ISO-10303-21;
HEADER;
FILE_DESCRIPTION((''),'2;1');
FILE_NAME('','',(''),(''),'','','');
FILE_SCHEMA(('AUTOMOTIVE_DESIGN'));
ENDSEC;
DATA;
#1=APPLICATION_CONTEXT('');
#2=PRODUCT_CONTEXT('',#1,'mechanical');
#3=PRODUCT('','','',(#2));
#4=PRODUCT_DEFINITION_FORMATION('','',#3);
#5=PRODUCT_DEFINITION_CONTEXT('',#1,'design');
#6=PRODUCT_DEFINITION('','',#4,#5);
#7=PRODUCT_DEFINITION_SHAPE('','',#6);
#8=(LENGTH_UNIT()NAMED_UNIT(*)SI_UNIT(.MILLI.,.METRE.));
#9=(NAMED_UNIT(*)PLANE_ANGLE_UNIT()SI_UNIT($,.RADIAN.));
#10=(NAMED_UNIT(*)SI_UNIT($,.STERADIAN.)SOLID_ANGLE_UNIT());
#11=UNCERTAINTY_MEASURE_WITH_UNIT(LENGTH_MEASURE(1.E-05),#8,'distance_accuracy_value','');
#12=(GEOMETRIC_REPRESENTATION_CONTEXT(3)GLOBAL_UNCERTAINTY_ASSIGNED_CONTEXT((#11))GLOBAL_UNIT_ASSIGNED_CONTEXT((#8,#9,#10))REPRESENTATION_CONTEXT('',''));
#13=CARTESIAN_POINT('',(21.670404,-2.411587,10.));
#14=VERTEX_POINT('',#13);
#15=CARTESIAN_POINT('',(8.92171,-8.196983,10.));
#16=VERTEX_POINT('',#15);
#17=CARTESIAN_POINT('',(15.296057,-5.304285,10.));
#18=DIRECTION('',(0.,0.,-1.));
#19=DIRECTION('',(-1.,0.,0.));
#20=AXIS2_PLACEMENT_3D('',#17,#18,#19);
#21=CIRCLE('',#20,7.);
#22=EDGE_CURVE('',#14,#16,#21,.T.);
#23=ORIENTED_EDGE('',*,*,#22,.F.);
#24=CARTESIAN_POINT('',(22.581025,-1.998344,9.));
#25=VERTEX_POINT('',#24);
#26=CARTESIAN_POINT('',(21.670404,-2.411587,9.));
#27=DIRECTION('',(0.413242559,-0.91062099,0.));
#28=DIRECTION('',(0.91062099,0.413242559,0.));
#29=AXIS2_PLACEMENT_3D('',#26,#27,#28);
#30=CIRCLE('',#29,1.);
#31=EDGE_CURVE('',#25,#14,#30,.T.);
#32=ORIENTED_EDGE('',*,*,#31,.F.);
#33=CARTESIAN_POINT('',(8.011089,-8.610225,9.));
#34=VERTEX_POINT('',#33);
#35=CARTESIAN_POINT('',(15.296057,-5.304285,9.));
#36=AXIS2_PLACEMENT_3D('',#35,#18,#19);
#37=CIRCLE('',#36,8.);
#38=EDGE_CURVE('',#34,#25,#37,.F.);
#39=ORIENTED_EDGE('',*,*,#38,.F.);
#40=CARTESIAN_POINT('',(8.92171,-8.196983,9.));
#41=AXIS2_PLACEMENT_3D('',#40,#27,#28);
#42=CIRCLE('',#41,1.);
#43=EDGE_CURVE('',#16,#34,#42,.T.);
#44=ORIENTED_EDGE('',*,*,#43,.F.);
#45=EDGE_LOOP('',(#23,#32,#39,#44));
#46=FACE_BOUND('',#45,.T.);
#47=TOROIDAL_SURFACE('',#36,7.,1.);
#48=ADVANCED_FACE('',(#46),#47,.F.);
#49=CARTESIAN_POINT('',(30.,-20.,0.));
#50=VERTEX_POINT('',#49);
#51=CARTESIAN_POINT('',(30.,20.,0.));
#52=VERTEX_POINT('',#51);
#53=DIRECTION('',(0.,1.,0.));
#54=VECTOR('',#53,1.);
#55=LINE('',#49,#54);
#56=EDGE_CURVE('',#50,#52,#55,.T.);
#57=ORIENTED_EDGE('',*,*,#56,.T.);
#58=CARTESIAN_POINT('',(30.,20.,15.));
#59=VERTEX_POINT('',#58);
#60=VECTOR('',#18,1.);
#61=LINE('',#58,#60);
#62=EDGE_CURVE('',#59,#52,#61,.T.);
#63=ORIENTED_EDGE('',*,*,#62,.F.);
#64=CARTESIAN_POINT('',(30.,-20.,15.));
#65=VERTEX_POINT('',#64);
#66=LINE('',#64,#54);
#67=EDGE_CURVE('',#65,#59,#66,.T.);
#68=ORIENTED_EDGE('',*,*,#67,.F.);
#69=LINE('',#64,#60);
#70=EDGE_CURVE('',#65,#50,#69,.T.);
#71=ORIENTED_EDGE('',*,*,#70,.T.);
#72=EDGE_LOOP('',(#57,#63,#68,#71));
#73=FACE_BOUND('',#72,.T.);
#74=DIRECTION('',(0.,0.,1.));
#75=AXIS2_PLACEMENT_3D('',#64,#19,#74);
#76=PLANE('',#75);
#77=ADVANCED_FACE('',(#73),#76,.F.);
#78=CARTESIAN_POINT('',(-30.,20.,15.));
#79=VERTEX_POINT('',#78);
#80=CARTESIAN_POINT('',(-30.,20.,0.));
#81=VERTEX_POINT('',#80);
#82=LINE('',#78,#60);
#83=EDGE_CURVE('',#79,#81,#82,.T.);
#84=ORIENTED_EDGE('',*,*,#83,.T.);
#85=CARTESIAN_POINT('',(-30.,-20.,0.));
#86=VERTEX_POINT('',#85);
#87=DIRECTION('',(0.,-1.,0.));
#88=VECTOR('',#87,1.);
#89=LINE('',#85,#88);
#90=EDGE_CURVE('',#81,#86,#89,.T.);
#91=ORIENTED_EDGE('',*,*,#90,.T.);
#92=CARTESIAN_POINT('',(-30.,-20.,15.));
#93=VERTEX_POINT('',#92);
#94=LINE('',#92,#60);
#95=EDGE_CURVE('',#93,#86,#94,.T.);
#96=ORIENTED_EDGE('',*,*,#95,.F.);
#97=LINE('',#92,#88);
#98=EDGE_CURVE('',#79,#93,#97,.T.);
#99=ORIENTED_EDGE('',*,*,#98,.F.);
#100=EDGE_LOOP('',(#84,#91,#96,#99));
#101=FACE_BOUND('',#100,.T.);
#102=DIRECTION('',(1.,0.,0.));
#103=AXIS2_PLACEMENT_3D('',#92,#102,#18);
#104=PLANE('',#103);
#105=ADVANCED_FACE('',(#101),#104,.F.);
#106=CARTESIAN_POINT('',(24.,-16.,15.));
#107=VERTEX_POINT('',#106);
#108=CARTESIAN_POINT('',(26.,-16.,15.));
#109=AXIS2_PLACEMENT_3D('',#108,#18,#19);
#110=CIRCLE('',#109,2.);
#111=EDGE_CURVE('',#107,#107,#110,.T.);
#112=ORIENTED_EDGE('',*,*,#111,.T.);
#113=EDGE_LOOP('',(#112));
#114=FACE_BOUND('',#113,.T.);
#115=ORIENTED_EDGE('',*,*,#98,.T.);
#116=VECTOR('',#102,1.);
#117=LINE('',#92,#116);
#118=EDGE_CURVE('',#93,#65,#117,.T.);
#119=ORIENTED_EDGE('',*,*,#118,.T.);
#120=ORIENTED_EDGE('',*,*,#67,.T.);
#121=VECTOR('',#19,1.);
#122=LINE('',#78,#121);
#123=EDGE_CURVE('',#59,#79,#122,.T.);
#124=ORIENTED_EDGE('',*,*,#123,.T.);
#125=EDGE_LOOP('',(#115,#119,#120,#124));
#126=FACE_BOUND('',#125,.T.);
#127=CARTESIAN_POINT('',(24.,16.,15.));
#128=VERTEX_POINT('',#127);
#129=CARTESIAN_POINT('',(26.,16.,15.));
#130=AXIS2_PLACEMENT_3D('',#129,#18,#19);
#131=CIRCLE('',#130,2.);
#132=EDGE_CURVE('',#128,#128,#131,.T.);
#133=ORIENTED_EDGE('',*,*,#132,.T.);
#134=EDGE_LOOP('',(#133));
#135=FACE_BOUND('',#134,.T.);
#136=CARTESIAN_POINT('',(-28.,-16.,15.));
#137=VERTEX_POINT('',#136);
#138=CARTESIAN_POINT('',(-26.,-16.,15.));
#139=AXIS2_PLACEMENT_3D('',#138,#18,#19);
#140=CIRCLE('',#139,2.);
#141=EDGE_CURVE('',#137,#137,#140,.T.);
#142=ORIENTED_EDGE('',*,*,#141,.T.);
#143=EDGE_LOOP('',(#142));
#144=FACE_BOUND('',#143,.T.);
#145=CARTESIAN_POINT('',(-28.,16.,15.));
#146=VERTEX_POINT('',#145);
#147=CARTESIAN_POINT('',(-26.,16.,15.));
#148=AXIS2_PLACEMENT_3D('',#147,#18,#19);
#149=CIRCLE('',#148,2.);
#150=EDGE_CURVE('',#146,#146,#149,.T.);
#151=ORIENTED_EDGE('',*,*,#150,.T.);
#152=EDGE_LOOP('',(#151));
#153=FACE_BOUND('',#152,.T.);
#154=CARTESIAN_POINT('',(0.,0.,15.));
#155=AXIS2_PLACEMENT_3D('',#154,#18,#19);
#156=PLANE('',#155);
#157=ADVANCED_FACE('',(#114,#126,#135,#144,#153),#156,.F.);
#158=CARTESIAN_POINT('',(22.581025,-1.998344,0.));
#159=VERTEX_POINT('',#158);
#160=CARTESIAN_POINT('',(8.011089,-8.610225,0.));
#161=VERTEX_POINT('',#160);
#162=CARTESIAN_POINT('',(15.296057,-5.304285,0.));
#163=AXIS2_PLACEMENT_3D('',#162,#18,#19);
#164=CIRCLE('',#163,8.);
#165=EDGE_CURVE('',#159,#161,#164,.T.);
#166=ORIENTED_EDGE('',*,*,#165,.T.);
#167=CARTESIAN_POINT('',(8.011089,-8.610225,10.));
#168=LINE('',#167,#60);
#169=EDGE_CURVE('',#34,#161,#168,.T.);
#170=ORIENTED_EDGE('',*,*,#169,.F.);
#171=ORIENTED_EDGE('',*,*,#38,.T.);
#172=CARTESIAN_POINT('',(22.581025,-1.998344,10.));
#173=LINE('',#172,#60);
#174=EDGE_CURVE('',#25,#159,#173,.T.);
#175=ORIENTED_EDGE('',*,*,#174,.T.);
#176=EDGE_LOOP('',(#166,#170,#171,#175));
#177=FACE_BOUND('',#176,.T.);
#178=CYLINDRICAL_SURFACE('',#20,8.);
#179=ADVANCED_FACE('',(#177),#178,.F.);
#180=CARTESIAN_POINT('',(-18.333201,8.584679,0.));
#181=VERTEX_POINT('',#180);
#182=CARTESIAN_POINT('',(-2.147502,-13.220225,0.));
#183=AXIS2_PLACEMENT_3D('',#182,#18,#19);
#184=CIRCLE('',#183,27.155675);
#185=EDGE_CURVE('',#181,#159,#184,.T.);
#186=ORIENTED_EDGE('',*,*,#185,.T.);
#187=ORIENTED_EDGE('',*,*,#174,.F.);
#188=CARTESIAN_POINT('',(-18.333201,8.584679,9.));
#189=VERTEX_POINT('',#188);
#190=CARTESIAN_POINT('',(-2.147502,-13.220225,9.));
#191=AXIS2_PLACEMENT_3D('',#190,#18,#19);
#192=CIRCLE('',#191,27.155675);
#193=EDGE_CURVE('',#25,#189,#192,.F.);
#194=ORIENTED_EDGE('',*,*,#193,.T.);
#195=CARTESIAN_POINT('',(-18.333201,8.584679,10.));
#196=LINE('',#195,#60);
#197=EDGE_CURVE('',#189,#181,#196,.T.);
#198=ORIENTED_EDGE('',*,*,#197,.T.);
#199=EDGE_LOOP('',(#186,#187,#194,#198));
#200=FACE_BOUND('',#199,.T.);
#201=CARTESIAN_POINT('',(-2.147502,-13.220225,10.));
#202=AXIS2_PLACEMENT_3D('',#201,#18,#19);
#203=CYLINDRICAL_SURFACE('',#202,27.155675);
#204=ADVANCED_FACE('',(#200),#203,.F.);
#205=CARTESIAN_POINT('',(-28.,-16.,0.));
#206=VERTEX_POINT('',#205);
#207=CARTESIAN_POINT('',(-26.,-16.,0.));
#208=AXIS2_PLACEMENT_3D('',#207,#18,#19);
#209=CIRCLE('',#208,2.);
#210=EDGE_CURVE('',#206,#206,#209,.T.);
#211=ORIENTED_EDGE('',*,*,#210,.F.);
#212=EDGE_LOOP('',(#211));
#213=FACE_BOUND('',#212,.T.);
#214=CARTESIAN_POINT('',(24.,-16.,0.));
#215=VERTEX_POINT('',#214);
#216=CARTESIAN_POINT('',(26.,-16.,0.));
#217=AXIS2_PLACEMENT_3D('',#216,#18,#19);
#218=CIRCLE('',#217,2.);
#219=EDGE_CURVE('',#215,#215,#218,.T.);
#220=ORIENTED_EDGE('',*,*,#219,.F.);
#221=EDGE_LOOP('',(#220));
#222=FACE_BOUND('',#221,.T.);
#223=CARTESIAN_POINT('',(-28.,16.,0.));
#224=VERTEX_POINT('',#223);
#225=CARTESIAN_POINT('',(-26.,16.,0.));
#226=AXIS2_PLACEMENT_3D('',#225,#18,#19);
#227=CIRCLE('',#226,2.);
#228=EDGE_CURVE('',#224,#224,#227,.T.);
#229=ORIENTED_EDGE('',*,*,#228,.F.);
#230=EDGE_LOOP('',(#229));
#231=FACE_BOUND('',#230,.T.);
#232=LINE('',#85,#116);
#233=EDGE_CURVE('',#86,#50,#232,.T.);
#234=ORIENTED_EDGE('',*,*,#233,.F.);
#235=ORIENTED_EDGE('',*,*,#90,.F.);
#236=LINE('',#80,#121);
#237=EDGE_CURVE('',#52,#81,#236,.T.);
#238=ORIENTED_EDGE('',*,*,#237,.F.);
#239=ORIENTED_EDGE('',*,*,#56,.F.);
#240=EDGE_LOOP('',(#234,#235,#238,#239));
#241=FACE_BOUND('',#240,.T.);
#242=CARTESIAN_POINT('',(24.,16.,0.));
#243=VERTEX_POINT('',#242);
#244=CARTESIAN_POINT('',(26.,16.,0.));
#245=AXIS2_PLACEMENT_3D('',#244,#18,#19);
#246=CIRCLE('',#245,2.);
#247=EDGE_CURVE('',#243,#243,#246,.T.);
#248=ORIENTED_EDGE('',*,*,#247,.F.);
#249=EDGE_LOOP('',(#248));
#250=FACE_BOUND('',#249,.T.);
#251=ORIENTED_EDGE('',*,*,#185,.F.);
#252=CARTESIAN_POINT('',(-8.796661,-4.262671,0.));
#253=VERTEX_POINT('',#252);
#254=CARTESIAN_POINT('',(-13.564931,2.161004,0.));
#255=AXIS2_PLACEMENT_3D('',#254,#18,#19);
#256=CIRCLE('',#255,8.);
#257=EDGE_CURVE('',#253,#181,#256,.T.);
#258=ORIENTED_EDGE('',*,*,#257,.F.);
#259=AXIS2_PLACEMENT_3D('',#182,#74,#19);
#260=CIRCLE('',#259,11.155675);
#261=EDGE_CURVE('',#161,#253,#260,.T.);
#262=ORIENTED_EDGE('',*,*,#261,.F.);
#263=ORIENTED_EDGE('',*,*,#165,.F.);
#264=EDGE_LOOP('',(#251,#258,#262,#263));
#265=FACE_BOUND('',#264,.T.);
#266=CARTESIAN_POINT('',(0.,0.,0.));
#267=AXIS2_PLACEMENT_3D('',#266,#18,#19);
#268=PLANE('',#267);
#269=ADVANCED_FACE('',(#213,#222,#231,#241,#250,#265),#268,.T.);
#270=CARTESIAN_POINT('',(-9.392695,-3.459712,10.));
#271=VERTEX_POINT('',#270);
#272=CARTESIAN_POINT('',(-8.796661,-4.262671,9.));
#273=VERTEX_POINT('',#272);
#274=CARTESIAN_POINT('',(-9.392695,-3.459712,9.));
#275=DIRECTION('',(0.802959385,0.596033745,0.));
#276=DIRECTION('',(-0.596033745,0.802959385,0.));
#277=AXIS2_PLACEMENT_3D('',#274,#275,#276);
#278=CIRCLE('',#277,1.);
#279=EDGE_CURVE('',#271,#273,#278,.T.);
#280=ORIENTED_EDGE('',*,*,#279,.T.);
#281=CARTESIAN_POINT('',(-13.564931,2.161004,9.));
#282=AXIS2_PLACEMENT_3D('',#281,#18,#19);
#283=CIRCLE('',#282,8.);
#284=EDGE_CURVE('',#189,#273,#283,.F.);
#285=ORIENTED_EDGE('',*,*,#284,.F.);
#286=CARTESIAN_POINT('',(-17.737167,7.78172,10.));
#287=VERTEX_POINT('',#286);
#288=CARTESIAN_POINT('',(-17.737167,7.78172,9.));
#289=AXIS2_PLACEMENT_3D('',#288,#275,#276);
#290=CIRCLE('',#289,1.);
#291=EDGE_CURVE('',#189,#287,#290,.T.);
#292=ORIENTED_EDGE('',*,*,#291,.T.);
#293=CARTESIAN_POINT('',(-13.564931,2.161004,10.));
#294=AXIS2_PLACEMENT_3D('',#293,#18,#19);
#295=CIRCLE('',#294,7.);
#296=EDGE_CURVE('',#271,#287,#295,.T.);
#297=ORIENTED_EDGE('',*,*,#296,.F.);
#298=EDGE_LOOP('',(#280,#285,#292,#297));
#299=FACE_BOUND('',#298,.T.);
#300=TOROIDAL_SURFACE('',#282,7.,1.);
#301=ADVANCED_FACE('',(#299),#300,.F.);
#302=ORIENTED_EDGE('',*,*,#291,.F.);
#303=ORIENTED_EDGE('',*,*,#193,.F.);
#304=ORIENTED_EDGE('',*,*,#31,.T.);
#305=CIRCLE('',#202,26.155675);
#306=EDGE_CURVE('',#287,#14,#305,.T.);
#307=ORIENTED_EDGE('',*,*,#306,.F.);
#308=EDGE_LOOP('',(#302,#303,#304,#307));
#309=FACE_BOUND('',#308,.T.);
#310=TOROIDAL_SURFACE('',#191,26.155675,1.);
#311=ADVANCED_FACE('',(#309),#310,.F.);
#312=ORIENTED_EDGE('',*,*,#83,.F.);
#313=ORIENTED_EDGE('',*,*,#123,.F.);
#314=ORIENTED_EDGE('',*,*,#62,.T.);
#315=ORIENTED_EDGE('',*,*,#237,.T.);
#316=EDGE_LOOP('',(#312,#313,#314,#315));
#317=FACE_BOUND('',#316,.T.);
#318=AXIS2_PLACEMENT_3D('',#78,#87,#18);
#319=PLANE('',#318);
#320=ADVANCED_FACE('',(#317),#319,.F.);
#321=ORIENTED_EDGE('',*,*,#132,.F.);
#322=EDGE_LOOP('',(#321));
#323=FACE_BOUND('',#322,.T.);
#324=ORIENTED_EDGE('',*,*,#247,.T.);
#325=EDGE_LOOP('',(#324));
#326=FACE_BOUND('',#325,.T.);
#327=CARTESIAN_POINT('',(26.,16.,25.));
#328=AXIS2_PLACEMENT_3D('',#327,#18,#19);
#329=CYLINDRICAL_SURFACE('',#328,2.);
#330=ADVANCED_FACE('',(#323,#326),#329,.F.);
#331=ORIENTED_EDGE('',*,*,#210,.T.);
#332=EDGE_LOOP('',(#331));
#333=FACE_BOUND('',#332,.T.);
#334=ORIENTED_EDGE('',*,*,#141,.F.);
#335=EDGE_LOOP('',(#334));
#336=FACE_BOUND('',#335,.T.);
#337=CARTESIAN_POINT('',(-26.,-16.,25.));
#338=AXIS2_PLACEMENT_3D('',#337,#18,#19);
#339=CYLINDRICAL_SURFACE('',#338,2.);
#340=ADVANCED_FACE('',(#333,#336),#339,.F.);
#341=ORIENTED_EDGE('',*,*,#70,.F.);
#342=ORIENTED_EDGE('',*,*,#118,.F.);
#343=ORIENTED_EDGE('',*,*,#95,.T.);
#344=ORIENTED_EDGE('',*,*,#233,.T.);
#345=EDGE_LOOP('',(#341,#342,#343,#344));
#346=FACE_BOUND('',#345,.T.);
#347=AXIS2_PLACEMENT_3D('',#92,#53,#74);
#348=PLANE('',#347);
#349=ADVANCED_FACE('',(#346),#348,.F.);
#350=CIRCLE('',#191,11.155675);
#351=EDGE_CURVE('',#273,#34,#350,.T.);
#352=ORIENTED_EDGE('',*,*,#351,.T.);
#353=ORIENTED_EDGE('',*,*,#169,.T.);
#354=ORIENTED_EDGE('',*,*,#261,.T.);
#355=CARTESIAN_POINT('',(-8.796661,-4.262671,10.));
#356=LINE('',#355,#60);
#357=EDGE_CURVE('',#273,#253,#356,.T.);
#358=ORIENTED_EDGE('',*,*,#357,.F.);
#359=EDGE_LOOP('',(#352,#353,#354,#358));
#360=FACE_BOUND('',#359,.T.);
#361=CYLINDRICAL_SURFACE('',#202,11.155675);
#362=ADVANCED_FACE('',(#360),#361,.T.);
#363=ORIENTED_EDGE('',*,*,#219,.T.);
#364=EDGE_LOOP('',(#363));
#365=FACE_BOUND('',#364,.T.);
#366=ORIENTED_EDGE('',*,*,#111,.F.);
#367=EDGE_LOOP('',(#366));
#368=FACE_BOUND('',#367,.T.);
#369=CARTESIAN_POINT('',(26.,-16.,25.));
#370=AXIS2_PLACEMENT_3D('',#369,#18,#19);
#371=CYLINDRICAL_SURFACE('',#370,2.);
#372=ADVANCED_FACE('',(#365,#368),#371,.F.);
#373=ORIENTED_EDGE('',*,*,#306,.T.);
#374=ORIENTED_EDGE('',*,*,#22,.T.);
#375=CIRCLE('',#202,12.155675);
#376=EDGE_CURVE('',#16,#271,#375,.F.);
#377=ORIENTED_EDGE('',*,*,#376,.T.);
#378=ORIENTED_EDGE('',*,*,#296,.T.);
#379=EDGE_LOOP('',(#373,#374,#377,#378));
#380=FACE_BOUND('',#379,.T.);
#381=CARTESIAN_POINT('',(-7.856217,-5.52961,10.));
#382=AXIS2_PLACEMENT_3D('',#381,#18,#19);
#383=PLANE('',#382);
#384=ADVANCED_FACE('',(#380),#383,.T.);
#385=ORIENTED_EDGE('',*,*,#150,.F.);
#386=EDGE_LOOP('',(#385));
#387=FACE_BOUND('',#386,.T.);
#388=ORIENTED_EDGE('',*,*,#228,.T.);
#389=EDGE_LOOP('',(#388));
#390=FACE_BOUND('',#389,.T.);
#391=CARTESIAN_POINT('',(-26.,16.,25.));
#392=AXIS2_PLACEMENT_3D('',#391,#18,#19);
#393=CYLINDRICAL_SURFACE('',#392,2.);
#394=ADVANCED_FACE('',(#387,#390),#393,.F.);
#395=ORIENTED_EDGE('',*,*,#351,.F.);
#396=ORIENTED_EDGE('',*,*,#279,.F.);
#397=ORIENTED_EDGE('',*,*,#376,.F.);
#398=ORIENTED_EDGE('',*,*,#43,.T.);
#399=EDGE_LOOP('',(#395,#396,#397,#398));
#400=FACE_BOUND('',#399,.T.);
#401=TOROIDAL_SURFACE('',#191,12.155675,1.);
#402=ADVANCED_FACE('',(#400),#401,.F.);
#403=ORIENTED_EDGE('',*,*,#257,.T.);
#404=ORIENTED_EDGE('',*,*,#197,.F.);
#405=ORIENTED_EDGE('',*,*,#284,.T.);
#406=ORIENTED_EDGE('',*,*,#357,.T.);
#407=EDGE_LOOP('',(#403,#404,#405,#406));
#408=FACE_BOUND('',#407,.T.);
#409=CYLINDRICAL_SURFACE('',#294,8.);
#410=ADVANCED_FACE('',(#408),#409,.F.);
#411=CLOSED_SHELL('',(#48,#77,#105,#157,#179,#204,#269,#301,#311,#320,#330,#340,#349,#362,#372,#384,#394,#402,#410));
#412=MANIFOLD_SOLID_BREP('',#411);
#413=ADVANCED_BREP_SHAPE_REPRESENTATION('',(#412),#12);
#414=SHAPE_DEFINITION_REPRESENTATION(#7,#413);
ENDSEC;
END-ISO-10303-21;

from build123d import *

# Parameters (mm, degrees)
ESQUISSE1_W             = 60
ESQUISSE1_H             = 40
BOSS_EXTRU_1_DEPTH      = 15
ESQUISSE3_R             = 2
ENL_V_MAT_EXTRU_1_DEPTH = 25
ENL_V_MAT_EXTRU_2_DEPTH = 10
CONG_1_R                = 1


with BuildPart() as part:
    # Esquisse1 → Boss.-Extru.1 (new body)
    with BuildSketch(Plane.XY):
        Rectangle(ESQUISSE1_W, ESQUISSE1_H)
    extrude(amount=BOSS_EXTRU_1_DEPTH)

    # Esquisse3 → Enlèv. mat.-Extru.1 (cut)
    with BuildSketch(Plane(origin=(0, 0, 0), x_dir=(-1, 0, 0), z_dir=(0, 0, -1))):
        with Locations((-26, 16)):
            Circle(ESQUISSE3_R)
        with Locations((26, 16)):
            Circle(ESQUISSE3_R)
        with Locations((-26, -16)):
            Circle(ESQUISSE3_R)
        with Locations((26, -16)):
            Circle(ESQUISSE3_R)
    extrude(amount=-ENL_V_MAT_EXTRU_1_DEPTH, mode=Mode.SUBTRACT)

    # Esquisse4 → Enlèv. mat.-Extru.2 (cut)
    with BuildSketch(Plane(origin=(0, 0, 0), x_dir=(-1, 0, 0), z_dir=(0, 0, -1))):
        with BuildLine():
            ThreePointArc((18.333200892, 8.584679084), (-4.652870853, 13.070183937), (-22.581024868, -1.998344249))
            ThreePointArc((-22.581024868, -1.998344249), (-18.601997418, -12.58925264), (-8.011089026, -8.61022519))
            ThreePointArc((-8.011089026, -8.61022519), (-0.646121832, -2.420005289), (8.796660967, -4.26267108))
            ThreePointArc((8.796660967, -4.26267108), (19.988606012, -2.607265961), (18.333200892, 8.584679084))
        make_face()
    extrude(amount=-ENL_V_MAT_EXTRU_2_DEPTH, mode=Mode.SUBTRACT)

    # Congé1
    cong_1_edges = [part.edges().sort_by_distance(p)[0] for p in [
        (-19.988606012, -2.607265961, 10),
        (0.646121832, -2.420005289, 10),
        (18.601997418, -12.58925264, 10),
        (4.652870853, 13.070183937, 10),
    ]]
    fillet(cong_1_edges, radius=CONG_1_R)


solid = part.part
